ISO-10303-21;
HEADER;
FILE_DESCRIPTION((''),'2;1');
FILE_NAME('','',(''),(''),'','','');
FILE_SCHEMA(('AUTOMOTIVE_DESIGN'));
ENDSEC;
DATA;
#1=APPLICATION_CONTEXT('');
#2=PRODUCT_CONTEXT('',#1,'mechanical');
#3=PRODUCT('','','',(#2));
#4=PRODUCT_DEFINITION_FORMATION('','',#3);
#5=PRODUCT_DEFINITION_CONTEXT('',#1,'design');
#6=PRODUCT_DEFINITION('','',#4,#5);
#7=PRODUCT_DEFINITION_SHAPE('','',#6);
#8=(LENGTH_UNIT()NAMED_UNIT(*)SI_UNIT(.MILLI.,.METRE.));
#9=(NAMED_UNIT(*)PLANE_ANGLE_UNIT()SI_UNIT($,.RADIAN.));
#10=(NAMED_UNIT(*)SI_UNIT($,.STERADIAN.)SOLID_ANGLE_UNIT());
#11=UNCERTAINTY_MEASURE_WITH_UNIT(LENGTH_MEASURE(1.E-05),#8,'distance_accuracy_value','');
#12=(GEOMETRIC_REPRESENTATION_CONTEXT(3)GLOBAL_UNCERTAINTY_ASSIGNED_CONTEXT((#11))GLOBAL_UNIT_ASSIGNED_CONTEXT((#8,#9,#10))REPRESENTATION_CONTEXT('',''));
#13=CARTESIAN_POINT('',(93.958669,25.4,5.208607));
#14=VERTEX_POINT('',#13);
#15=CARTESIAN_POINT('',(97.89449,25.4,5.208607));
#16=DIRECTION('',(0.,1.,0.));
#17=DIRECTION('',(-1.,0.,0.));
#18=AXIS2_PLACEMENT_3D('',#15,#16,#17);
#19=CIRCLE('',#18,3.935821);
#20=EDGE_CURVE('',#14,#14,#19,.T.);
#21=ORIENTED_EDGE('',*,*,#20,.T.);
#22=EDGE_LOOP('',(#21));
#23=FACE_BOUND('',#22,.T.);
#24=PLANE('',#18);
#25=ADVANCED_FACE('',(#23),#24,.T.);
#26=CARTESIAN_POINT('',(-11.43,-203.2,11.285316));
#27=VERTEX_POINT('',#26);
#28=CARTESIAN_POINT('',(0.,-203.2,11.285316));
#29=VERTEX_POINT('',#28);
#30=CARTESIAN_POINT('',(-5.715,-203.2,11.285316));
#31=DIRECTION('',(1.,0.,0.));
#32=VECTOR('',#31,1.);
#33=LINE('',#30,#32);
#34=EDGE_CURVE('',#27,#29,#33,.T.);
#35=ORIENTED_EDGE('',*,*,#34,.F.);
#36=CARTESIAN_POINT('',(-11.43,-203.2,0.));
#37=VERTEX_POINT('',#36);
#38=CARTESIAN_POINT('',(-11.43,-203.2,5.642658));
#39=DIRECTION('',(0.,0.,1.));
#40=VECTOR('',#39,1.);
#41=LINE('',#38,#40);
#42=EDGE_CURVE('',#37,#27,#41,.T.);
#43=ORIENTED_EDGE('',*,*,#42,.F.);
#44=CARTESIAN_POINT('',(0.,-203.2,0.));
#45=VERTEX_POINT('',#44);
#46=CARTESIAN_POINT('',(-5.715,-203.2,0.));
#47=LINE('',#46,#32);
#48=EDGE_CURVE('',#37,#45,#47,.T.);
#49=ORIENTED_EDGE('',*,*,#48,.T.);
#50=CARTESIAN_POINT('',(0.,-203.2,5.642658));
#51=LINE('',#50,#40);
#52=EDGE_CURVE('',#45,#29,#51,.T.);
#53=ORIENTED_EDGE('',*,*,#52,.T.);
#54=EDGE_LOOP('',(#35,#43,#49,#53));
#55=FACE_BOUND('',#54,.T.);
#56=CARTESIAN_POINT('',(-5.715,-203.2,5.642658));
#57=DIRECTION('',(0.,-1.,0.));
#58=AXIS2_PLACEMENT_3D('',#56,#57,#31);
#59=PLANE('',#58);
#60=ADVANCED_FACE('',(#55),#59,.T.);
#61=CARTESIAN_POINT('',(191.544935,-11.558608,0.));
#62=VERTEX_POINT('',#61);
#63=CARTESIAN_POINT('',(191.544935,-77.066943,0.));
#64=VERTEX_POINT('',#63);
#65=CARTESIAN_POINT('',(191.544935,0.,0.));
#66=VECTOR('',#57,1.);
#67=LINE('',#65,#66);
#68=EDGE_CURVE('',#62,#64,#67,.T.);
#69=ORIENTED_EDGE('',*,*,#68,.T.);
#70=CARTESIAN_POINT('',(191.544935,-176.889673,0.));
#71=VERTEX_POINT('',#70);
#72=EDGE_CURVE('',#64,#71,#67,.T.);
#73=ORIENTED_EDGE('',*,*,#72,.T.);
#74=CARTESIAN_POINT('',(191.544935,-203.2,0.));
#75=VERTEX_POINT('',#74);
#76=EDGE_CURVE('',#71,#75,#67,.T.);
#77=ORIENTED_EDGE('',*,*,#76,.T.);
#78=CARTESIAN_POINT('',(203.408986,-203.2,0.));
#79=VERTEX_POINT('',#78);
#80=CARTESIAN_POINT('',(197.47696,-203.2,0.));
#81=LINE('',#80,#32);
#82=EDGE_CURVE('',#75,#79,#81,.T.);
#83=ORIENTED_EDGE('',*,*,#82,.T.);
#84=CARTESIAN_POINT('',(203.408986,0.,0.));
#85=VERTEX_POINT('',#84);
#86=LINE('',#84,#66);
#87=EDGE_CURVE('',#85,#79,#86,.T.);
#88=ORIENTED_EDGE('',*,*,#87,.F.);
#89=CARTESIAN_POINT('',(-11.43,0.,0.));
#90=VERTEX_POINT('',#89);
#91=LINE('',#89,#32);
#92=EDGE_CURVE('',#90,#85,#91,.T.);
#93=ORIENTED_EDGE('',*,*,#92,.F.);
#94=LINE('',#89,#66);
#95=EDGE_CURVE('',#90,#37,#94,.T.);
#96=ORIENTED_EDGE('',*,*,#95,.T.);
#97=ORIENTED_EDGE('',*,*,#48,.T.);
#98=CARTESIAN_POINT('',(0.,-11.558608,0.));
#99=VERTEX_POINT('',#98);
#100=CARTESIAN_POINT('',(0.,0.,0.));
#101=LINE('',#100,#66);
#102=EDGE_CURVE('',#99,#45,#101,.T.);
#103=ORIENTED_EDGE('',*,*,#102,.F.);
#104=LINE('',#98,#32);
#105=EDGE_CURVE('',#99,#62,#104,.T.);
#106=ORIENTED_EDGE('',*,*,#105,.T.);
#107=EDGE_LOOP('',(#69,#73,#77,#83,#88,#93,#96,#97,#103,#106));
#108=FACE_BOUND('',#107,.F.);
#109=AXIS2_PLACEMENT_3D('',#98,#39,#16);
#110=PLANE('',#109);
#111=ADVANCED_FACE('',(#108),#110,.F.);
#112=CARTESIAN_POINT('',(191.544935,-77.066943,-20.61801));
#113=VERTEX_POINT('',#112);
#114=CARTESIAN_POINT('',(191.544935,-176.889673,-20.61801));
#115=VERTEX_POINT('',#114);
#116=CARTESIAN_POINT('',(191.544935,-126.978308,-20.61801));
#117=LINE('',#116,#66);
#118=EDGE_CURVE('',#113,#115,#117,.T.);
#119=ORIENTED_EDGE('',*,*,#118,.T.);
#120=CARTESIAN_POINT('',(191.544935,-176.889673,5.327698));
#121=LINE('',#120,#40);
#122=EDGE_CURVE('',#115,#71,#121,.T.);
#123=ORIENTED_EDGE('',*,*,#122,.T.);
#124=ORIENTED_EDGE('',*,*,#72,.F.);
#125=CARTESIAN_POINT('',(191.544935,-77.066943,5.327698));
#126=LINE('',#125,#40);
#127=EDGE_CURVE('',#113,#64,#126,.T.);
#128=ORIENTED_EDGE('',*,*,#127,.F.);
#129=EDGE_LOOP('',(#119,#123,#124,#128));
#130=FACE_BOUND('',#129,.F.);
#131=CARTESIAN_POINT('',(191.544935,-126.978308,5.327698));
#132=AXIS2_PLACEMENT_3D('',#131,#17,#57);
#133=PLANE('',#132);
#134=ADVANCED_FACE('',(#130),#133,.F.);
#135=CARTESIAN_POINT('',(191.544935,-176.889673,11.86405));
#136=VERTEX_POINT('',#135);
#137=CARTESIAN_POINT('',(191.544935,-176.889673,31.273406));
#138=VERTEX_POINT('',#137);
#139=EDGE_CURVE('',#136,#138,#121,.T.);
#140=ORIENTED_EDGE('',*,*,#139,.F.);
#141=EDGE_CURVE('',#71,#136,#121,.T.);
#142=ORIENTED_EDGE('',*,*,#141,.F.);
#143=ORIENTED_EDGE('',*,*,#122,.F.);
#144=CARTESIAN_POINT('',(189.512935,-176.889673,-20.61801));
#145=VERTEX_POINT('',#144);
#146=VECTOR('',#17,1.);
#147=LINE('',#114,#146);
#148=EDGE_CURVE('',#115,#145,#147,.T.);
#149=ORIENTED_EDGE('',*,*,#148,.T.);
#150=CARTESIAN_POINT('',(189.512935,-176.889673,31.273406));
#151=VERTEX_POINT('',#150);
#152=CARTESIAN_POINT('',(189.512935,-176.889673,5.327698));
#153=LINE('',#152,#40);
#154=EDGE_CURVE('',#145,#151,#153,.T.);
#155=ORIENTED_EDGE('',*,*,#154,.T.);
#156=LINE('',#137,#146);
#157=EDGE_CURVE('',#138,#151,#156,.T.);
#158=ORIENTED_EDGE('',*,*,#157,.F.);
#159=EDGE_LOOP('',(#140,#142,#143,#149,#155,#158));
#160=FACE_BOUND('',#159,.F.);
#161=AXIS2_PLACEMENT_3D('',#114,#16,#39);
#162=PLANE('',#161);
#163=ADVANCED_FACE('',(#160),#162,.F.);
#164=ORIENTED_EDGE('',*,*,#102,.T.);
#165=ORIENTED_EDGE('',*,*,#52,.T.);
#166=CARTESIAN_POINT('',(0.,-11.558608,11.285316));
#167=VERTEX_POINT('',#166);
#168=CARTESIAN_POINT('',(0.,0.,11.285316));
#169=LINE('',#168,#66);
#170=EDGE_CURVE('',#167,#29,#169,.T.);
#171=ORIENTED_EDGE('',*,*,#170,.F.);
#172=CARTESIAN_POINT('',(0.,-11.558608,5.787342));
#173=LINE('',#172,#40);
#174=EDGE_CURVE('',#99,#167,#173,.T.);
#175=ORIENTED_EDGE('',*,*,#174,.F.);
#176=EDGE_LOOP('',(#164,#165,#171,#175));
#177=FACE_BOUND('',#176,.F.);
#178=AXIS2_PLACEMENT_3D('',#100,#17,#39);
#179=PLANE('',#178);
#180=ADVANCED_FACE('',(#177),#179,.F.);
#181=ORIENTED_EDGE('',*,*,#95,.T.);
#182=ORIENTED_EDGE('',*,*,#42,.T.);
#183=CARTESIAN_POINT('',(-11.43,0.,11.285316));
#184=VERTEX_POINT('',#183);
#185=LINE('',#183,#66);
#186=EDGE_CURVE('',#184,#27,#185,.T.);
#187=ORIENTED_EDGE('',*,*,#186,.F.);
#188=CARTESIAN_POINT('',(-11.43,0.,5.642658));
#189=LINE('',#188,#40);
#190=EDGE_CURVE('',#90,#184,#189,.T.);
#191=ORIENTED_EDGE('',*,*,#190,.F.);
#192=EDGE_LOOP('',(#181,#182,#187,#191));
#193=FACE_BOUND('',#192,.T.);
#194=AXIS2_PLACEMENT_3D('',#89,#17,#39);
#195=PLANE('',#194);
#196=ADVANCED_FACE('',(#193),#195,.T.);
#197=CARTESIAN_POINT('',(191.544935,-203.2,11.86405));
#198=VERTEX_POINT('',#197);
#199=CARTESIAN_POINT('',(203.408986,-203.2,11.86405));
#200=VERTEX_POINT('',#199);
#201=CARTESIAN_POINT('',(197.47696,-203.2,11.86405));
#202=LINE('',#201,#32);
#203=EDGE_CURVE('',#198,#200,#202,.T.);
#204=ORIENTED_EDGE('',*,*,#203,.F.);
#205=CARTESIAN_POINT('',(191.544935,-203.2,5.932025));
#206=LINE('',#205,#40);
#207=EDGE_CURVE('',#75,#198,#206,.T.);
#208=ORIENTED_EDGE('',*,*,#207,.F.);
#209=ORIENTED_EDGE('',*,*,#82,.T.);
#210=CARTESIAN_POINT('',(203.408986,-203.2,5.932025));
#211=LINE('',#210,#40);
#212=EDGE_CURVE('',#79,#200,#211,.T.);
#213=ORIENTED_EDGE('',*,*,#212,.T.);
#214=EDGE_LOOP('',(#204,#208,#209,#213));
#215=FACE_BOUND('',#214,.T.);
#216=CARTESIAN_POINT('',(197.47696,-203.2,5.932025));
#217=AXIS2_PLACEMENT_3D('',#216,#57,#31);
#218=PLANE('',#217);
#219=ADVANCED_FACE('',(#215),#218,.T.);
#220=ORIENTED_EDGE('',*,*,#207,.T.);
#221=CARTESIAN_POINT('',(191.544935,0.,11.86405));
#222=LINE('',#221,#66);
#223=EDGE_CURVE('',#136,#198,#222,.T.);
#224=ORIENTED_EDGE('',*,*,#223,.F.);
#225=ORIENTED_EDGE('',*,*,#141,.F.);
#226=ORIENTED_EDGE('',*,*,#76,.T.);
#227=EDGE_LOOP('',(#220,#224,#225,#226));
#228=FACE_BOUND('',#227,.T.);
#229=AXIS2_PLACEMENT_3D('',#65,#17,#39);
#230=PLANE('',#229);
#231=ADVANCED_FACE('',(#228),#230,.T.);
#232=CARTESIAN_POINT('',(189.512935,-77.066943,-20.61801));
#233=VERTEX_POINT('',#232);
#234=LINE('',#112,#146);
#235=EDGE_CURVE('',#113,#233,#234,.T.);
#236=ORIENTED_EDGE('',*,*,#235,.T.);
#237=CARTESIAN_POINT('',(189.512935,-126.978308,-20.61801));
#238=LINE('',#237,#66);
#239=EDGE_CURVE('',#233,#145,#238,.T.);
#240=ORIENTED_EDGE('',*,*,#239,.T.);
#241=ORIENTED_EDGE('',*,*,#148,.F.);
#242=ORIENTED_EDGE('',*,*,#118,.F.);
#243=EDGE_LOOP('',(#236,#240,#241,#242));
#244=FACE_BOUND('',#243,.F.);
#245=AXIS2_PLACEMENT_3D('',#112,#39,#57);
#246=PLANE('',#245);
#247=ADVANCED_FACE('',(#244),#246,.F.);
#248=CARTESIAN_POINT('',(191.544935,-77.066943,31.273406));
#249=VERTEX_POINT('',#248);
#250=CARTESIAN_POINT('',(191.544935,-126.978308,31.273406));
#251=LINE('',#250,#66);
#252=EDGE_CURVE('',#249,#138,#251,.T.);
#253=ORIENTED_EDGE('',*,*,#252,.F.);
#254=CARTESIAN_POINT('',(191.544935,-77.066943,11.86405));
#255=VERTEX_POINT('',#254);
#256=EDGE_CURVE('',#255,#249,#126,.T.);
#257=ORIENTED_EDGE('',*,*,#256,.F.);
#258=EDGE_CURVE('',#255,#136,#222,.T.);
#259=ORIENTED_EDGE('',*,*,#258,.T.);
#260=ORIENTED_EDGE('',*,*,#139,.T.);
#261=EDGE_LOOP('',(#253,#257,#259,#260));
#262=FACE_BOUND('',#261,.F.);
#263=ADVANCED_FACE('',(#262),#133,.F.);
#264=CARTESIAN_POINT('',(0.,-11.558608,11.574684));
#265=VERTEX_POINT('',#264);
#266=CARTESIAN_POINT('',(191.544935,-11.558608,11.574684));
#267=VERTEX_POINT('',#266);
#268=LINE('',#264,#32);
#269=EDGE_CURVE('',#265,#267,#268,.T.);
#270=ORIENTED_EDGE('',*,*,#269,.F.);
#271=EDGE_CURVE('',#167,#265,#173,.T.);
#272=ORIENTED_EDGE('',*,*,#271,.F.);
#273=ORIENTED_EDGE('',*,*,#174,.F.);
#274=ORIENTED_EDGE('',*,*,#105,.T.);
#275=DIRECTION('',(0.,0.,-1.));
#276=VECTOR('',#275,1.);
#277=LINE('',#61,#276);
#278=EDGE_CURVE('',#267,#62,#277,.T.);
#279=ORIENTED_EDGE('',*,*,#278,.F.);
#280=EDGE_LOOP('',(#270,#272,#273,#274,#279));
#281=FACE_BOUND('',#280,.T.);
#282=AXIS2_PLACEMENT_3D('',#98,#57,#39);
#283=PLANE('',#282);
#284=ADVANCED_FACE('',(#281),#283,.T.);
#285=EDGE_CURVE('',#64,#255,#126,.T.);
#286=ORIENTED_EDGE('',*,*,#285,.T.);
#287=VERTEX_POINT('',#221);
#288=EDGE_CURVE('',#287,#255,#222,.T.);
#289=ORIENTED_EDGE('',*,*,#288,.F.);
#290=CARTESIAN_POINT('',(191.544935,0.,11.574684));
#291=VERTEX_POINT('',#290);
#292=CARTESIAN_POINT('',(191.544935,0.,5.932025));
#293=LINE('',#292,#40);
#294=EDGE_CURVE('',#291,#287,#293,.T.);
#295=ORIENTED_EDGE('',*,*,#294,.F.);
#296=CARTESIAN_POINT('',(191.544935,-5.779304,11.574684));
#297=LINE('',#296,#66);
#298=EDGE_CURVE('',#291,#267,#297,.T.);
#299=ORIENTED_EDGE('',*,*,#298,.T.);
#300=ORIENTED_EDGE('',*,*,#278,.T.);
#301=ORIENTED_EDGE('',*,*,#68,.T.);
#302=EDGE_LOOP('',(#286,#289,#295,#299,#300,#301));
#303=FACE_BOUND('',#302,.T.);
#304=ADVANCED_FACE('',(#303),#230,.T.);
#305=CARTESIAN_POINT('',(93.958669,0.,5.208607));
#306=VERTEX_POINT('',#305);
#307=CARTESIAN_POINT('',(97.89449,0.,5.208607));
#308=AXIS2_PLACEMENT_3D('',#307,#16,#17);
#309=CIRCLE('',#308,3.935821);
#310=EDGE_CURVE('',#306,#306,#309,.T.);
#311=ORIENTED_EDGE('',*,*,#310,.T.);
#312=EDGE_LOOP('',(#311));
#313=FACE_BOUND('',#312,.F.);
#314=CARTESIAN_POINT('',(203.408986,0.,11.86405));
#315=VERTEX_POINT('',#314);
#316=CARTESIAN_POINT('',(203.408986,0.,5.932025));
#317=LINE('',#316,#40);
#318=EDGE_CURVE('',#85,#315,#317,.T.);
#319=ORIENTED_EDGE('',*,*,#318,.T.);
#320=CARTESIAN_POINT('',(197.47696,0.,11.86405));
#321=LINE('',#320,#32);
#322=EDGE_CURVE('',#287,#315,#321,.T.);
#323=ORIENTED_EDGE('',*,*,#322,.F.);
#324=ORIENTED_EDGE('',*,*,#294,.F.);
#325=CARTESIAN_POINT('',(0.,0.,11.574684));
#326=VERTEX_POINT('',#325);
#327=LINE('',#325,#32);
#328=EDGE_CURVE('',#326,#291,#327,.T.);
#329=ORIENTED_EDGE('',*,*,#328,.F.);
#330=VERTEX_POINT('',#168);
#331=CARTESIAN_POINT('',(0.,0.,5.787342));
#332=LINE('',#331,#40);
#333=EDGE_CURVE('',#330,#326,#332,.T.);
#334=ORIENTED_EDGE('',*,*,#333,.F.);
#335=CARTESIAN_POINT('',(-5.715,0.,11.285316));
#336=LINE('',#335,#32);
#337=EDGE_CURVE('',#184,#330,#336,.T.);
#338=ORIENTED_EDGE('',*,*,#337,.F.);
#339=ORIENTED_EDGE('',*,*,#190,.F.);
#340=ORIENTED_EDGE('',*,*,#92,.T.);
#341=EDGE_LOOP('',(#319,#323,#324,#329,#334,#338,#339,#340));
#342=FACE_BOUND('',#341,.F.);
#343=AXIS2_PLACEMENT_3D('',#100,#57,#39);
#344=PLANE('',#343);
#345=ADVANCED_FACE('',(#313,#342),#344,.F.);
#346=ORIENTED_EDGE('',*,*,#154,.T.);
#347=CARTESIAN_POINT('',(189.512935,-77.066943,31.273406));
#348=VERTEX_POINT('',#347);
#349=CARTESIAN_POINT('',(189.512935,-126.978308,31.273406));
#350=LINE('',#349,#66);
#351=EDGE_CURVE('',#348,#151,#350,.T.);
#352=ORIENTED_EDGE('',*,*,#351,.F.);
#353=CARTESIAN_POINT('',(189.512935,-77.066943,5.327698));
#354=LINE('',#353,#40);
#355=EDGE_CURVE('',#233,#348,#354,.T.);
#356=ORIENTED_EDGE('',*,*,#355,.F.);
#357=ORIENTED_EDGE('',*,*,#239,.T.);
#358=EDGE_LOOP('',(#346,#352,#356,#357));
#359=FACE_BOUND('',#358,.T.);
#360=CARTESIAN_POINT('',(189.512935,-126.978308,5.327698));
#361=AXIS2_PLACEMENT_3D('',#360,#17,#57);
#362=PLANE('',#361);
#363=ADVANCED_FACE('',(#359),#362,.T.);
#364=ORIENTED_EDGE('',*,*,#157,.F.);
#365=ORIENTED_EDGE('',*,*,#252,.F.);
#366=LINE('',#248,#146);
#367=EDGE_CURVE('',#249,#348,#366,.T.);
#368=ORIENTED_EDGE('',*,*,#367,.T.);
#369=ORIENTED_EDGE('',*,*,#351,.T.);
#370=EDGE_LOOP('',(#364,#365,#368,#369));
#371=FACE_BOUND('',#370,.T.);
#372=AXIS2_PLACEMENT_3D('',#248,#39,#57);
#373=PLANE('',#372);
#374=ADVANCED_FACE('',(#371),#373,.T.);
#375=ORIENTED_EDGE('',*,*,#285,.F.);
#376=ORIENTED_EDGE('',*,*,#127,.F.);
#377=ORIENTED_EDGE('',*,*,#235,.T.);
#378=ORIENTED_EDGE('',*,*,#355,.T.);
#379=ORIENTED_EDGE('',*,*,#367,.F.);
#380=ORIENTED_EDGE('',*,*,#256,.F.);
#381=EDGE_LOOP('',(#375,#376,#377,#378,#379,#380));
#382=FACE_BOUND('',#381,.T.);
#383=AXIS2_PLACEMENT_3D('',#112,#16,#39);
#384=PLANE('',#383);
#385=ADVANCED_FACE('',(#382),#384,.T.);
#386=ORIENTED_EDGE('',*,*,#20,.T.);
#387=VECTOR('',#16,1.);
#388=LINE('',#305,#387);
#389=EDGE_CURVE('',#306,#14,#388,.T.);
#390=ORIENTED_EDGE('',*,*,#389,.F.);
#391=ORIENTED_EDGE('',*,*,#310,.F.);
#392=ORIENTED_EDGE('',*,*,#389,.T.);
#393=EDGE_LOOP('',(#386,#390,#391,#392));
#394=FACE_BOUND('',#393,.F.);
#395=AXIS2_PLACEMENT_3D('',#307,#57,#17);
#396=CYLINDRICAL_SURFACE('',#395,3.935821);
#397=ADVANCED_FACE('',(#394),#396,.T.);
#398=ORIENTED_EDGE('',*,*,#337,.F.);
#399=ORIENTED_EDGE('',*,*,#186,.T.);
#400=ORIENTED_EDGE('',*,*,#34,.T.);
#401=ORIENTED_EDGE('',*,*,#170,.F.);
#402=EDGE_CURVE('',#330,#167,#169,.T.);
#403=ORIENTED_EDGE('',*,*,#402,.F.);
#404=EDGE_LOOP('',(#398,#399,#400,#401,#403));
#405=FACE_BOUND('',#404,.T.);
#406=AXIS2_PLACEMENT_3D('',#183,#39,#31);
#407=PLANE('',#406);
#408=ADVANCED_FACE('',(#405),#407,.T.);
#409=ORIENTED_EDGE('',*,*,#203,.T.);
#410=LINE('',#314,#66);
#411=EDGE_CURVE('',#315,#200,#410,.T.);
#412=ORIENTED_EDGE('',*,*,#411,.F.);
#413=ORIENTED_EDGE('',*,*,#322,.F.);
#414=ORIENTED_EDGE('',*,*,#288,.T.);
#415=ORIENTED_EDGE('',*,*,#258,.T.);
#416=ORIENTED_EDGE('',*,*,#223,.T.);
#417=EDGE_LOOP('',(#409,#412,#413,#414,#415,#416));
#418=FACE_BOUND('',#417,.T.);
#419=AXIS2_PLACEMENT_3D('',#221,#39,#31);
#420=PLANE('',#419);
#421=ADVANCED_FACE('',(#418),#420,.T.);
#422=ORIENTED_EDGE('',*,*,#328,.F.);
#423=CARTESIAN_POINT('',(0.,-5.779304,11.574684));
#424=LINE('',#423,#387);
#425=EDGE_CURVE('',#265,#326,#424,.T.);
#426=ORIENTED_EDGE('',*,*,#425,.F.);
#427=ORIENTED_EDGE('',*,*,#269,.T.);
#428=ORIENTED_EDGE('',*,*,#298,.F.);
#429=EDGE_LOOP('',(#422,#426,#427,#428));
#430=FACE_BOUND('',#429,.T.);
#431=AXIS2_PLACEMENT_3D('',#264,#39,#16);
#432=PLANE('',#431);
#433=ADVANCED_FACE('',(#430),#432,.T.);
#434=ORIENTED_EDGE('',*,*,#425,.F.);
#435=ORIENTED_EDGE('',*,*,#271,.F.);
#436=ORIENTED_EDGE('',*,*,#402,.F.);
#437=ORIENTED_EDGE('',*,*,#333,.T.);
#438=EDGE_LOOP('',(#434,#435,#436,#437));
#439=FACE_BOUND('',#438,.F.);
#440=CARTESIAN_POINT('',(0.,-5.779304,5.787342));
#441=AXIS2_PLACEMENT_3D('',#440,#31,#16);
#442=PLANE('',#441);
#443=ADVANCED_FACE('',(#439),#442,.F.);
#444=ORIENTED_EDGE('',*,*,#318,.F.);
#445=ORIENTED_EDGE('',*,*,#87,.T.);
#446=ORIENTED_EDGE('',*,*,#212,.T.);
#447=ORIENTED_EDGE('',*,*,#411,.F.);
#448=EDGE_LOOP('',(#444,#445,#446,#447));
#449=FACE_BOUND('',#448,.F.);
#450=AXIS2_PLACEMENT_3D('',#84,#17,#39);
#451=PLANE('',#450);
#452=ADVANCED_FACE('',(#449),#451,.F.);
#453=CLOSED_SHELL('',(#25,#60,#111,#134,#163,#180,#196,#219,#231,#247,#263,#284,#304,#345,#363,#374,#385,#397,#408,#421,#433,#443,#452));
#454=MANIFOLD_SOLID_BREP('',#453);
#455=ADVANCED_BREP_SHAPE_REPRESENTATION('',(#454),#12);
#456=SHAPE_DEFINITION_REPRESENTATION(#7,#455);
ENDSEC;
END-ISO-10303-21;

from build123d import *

# Parameters (mm, degrees)
F0_W     = 11.43
F0_H     = 11.285316
F1_DEPTH = 203.2
F2_W     = 11.558608
F2_H     = 11.574684
F3_DEPTH = 203.2
F4_W     = 11.864051
F4_H     = 11.86405
F5_DEPTH = 203.2
F6_W     = 99.82273
F6_H     = 51.891416
F7_DEPTH = 2.032
F8_R     = 3.935821
F9_DEPTH = 25.4


with BuildPart() as f1:
    # F0 (on Front) → F1 (new body)
    with BuildSketch(Plane.XZ):
        with Locations((-5.715, 5.642658)):
            Rectangle(F0_W, F0_H)
    extrude(amount=F1_DEPTH)

    # F2 (on Right) → F3 (join)
    with BuildSketch(Plane.YZ):
        with Locations((-5.779304, 5.787342)):
            Rectangle(F2_W, F2_H)
    extrude(amount=F3_DEPTH)

    # F4 (on Front) → F5 (join)
    with BuildSketch(Plane.XZ):
        with Locations((197.47696, 5.932025)):
            Rectangle(F4_W, F4_H)
    extrude(amount=F5_DEPTH)

    # F6 (on face) → F7 (join)
    with BuildSketch(Plane(origin=(191.544935, 0, 0), x_dir=(0, -1, 0), z_dir=(-1, 0, 0))):
        with Locations((126.978308, 5.327698)):
            Rectangle(F6_W, F6_H)
    extrude(amount=F7_DEPTH)

    # F8 (on face) → F9 (join)
    with BuildSketch(Plane(origin=(0, 0, 0), x_dir=(-1, 0, 0), z_dir=(0, 1, 0))):
        with Locations((-97.89449, 5.208607)):
            Circle(F8_R)
    extrude(amount=F9_DEPTH)


solid = f1.part
